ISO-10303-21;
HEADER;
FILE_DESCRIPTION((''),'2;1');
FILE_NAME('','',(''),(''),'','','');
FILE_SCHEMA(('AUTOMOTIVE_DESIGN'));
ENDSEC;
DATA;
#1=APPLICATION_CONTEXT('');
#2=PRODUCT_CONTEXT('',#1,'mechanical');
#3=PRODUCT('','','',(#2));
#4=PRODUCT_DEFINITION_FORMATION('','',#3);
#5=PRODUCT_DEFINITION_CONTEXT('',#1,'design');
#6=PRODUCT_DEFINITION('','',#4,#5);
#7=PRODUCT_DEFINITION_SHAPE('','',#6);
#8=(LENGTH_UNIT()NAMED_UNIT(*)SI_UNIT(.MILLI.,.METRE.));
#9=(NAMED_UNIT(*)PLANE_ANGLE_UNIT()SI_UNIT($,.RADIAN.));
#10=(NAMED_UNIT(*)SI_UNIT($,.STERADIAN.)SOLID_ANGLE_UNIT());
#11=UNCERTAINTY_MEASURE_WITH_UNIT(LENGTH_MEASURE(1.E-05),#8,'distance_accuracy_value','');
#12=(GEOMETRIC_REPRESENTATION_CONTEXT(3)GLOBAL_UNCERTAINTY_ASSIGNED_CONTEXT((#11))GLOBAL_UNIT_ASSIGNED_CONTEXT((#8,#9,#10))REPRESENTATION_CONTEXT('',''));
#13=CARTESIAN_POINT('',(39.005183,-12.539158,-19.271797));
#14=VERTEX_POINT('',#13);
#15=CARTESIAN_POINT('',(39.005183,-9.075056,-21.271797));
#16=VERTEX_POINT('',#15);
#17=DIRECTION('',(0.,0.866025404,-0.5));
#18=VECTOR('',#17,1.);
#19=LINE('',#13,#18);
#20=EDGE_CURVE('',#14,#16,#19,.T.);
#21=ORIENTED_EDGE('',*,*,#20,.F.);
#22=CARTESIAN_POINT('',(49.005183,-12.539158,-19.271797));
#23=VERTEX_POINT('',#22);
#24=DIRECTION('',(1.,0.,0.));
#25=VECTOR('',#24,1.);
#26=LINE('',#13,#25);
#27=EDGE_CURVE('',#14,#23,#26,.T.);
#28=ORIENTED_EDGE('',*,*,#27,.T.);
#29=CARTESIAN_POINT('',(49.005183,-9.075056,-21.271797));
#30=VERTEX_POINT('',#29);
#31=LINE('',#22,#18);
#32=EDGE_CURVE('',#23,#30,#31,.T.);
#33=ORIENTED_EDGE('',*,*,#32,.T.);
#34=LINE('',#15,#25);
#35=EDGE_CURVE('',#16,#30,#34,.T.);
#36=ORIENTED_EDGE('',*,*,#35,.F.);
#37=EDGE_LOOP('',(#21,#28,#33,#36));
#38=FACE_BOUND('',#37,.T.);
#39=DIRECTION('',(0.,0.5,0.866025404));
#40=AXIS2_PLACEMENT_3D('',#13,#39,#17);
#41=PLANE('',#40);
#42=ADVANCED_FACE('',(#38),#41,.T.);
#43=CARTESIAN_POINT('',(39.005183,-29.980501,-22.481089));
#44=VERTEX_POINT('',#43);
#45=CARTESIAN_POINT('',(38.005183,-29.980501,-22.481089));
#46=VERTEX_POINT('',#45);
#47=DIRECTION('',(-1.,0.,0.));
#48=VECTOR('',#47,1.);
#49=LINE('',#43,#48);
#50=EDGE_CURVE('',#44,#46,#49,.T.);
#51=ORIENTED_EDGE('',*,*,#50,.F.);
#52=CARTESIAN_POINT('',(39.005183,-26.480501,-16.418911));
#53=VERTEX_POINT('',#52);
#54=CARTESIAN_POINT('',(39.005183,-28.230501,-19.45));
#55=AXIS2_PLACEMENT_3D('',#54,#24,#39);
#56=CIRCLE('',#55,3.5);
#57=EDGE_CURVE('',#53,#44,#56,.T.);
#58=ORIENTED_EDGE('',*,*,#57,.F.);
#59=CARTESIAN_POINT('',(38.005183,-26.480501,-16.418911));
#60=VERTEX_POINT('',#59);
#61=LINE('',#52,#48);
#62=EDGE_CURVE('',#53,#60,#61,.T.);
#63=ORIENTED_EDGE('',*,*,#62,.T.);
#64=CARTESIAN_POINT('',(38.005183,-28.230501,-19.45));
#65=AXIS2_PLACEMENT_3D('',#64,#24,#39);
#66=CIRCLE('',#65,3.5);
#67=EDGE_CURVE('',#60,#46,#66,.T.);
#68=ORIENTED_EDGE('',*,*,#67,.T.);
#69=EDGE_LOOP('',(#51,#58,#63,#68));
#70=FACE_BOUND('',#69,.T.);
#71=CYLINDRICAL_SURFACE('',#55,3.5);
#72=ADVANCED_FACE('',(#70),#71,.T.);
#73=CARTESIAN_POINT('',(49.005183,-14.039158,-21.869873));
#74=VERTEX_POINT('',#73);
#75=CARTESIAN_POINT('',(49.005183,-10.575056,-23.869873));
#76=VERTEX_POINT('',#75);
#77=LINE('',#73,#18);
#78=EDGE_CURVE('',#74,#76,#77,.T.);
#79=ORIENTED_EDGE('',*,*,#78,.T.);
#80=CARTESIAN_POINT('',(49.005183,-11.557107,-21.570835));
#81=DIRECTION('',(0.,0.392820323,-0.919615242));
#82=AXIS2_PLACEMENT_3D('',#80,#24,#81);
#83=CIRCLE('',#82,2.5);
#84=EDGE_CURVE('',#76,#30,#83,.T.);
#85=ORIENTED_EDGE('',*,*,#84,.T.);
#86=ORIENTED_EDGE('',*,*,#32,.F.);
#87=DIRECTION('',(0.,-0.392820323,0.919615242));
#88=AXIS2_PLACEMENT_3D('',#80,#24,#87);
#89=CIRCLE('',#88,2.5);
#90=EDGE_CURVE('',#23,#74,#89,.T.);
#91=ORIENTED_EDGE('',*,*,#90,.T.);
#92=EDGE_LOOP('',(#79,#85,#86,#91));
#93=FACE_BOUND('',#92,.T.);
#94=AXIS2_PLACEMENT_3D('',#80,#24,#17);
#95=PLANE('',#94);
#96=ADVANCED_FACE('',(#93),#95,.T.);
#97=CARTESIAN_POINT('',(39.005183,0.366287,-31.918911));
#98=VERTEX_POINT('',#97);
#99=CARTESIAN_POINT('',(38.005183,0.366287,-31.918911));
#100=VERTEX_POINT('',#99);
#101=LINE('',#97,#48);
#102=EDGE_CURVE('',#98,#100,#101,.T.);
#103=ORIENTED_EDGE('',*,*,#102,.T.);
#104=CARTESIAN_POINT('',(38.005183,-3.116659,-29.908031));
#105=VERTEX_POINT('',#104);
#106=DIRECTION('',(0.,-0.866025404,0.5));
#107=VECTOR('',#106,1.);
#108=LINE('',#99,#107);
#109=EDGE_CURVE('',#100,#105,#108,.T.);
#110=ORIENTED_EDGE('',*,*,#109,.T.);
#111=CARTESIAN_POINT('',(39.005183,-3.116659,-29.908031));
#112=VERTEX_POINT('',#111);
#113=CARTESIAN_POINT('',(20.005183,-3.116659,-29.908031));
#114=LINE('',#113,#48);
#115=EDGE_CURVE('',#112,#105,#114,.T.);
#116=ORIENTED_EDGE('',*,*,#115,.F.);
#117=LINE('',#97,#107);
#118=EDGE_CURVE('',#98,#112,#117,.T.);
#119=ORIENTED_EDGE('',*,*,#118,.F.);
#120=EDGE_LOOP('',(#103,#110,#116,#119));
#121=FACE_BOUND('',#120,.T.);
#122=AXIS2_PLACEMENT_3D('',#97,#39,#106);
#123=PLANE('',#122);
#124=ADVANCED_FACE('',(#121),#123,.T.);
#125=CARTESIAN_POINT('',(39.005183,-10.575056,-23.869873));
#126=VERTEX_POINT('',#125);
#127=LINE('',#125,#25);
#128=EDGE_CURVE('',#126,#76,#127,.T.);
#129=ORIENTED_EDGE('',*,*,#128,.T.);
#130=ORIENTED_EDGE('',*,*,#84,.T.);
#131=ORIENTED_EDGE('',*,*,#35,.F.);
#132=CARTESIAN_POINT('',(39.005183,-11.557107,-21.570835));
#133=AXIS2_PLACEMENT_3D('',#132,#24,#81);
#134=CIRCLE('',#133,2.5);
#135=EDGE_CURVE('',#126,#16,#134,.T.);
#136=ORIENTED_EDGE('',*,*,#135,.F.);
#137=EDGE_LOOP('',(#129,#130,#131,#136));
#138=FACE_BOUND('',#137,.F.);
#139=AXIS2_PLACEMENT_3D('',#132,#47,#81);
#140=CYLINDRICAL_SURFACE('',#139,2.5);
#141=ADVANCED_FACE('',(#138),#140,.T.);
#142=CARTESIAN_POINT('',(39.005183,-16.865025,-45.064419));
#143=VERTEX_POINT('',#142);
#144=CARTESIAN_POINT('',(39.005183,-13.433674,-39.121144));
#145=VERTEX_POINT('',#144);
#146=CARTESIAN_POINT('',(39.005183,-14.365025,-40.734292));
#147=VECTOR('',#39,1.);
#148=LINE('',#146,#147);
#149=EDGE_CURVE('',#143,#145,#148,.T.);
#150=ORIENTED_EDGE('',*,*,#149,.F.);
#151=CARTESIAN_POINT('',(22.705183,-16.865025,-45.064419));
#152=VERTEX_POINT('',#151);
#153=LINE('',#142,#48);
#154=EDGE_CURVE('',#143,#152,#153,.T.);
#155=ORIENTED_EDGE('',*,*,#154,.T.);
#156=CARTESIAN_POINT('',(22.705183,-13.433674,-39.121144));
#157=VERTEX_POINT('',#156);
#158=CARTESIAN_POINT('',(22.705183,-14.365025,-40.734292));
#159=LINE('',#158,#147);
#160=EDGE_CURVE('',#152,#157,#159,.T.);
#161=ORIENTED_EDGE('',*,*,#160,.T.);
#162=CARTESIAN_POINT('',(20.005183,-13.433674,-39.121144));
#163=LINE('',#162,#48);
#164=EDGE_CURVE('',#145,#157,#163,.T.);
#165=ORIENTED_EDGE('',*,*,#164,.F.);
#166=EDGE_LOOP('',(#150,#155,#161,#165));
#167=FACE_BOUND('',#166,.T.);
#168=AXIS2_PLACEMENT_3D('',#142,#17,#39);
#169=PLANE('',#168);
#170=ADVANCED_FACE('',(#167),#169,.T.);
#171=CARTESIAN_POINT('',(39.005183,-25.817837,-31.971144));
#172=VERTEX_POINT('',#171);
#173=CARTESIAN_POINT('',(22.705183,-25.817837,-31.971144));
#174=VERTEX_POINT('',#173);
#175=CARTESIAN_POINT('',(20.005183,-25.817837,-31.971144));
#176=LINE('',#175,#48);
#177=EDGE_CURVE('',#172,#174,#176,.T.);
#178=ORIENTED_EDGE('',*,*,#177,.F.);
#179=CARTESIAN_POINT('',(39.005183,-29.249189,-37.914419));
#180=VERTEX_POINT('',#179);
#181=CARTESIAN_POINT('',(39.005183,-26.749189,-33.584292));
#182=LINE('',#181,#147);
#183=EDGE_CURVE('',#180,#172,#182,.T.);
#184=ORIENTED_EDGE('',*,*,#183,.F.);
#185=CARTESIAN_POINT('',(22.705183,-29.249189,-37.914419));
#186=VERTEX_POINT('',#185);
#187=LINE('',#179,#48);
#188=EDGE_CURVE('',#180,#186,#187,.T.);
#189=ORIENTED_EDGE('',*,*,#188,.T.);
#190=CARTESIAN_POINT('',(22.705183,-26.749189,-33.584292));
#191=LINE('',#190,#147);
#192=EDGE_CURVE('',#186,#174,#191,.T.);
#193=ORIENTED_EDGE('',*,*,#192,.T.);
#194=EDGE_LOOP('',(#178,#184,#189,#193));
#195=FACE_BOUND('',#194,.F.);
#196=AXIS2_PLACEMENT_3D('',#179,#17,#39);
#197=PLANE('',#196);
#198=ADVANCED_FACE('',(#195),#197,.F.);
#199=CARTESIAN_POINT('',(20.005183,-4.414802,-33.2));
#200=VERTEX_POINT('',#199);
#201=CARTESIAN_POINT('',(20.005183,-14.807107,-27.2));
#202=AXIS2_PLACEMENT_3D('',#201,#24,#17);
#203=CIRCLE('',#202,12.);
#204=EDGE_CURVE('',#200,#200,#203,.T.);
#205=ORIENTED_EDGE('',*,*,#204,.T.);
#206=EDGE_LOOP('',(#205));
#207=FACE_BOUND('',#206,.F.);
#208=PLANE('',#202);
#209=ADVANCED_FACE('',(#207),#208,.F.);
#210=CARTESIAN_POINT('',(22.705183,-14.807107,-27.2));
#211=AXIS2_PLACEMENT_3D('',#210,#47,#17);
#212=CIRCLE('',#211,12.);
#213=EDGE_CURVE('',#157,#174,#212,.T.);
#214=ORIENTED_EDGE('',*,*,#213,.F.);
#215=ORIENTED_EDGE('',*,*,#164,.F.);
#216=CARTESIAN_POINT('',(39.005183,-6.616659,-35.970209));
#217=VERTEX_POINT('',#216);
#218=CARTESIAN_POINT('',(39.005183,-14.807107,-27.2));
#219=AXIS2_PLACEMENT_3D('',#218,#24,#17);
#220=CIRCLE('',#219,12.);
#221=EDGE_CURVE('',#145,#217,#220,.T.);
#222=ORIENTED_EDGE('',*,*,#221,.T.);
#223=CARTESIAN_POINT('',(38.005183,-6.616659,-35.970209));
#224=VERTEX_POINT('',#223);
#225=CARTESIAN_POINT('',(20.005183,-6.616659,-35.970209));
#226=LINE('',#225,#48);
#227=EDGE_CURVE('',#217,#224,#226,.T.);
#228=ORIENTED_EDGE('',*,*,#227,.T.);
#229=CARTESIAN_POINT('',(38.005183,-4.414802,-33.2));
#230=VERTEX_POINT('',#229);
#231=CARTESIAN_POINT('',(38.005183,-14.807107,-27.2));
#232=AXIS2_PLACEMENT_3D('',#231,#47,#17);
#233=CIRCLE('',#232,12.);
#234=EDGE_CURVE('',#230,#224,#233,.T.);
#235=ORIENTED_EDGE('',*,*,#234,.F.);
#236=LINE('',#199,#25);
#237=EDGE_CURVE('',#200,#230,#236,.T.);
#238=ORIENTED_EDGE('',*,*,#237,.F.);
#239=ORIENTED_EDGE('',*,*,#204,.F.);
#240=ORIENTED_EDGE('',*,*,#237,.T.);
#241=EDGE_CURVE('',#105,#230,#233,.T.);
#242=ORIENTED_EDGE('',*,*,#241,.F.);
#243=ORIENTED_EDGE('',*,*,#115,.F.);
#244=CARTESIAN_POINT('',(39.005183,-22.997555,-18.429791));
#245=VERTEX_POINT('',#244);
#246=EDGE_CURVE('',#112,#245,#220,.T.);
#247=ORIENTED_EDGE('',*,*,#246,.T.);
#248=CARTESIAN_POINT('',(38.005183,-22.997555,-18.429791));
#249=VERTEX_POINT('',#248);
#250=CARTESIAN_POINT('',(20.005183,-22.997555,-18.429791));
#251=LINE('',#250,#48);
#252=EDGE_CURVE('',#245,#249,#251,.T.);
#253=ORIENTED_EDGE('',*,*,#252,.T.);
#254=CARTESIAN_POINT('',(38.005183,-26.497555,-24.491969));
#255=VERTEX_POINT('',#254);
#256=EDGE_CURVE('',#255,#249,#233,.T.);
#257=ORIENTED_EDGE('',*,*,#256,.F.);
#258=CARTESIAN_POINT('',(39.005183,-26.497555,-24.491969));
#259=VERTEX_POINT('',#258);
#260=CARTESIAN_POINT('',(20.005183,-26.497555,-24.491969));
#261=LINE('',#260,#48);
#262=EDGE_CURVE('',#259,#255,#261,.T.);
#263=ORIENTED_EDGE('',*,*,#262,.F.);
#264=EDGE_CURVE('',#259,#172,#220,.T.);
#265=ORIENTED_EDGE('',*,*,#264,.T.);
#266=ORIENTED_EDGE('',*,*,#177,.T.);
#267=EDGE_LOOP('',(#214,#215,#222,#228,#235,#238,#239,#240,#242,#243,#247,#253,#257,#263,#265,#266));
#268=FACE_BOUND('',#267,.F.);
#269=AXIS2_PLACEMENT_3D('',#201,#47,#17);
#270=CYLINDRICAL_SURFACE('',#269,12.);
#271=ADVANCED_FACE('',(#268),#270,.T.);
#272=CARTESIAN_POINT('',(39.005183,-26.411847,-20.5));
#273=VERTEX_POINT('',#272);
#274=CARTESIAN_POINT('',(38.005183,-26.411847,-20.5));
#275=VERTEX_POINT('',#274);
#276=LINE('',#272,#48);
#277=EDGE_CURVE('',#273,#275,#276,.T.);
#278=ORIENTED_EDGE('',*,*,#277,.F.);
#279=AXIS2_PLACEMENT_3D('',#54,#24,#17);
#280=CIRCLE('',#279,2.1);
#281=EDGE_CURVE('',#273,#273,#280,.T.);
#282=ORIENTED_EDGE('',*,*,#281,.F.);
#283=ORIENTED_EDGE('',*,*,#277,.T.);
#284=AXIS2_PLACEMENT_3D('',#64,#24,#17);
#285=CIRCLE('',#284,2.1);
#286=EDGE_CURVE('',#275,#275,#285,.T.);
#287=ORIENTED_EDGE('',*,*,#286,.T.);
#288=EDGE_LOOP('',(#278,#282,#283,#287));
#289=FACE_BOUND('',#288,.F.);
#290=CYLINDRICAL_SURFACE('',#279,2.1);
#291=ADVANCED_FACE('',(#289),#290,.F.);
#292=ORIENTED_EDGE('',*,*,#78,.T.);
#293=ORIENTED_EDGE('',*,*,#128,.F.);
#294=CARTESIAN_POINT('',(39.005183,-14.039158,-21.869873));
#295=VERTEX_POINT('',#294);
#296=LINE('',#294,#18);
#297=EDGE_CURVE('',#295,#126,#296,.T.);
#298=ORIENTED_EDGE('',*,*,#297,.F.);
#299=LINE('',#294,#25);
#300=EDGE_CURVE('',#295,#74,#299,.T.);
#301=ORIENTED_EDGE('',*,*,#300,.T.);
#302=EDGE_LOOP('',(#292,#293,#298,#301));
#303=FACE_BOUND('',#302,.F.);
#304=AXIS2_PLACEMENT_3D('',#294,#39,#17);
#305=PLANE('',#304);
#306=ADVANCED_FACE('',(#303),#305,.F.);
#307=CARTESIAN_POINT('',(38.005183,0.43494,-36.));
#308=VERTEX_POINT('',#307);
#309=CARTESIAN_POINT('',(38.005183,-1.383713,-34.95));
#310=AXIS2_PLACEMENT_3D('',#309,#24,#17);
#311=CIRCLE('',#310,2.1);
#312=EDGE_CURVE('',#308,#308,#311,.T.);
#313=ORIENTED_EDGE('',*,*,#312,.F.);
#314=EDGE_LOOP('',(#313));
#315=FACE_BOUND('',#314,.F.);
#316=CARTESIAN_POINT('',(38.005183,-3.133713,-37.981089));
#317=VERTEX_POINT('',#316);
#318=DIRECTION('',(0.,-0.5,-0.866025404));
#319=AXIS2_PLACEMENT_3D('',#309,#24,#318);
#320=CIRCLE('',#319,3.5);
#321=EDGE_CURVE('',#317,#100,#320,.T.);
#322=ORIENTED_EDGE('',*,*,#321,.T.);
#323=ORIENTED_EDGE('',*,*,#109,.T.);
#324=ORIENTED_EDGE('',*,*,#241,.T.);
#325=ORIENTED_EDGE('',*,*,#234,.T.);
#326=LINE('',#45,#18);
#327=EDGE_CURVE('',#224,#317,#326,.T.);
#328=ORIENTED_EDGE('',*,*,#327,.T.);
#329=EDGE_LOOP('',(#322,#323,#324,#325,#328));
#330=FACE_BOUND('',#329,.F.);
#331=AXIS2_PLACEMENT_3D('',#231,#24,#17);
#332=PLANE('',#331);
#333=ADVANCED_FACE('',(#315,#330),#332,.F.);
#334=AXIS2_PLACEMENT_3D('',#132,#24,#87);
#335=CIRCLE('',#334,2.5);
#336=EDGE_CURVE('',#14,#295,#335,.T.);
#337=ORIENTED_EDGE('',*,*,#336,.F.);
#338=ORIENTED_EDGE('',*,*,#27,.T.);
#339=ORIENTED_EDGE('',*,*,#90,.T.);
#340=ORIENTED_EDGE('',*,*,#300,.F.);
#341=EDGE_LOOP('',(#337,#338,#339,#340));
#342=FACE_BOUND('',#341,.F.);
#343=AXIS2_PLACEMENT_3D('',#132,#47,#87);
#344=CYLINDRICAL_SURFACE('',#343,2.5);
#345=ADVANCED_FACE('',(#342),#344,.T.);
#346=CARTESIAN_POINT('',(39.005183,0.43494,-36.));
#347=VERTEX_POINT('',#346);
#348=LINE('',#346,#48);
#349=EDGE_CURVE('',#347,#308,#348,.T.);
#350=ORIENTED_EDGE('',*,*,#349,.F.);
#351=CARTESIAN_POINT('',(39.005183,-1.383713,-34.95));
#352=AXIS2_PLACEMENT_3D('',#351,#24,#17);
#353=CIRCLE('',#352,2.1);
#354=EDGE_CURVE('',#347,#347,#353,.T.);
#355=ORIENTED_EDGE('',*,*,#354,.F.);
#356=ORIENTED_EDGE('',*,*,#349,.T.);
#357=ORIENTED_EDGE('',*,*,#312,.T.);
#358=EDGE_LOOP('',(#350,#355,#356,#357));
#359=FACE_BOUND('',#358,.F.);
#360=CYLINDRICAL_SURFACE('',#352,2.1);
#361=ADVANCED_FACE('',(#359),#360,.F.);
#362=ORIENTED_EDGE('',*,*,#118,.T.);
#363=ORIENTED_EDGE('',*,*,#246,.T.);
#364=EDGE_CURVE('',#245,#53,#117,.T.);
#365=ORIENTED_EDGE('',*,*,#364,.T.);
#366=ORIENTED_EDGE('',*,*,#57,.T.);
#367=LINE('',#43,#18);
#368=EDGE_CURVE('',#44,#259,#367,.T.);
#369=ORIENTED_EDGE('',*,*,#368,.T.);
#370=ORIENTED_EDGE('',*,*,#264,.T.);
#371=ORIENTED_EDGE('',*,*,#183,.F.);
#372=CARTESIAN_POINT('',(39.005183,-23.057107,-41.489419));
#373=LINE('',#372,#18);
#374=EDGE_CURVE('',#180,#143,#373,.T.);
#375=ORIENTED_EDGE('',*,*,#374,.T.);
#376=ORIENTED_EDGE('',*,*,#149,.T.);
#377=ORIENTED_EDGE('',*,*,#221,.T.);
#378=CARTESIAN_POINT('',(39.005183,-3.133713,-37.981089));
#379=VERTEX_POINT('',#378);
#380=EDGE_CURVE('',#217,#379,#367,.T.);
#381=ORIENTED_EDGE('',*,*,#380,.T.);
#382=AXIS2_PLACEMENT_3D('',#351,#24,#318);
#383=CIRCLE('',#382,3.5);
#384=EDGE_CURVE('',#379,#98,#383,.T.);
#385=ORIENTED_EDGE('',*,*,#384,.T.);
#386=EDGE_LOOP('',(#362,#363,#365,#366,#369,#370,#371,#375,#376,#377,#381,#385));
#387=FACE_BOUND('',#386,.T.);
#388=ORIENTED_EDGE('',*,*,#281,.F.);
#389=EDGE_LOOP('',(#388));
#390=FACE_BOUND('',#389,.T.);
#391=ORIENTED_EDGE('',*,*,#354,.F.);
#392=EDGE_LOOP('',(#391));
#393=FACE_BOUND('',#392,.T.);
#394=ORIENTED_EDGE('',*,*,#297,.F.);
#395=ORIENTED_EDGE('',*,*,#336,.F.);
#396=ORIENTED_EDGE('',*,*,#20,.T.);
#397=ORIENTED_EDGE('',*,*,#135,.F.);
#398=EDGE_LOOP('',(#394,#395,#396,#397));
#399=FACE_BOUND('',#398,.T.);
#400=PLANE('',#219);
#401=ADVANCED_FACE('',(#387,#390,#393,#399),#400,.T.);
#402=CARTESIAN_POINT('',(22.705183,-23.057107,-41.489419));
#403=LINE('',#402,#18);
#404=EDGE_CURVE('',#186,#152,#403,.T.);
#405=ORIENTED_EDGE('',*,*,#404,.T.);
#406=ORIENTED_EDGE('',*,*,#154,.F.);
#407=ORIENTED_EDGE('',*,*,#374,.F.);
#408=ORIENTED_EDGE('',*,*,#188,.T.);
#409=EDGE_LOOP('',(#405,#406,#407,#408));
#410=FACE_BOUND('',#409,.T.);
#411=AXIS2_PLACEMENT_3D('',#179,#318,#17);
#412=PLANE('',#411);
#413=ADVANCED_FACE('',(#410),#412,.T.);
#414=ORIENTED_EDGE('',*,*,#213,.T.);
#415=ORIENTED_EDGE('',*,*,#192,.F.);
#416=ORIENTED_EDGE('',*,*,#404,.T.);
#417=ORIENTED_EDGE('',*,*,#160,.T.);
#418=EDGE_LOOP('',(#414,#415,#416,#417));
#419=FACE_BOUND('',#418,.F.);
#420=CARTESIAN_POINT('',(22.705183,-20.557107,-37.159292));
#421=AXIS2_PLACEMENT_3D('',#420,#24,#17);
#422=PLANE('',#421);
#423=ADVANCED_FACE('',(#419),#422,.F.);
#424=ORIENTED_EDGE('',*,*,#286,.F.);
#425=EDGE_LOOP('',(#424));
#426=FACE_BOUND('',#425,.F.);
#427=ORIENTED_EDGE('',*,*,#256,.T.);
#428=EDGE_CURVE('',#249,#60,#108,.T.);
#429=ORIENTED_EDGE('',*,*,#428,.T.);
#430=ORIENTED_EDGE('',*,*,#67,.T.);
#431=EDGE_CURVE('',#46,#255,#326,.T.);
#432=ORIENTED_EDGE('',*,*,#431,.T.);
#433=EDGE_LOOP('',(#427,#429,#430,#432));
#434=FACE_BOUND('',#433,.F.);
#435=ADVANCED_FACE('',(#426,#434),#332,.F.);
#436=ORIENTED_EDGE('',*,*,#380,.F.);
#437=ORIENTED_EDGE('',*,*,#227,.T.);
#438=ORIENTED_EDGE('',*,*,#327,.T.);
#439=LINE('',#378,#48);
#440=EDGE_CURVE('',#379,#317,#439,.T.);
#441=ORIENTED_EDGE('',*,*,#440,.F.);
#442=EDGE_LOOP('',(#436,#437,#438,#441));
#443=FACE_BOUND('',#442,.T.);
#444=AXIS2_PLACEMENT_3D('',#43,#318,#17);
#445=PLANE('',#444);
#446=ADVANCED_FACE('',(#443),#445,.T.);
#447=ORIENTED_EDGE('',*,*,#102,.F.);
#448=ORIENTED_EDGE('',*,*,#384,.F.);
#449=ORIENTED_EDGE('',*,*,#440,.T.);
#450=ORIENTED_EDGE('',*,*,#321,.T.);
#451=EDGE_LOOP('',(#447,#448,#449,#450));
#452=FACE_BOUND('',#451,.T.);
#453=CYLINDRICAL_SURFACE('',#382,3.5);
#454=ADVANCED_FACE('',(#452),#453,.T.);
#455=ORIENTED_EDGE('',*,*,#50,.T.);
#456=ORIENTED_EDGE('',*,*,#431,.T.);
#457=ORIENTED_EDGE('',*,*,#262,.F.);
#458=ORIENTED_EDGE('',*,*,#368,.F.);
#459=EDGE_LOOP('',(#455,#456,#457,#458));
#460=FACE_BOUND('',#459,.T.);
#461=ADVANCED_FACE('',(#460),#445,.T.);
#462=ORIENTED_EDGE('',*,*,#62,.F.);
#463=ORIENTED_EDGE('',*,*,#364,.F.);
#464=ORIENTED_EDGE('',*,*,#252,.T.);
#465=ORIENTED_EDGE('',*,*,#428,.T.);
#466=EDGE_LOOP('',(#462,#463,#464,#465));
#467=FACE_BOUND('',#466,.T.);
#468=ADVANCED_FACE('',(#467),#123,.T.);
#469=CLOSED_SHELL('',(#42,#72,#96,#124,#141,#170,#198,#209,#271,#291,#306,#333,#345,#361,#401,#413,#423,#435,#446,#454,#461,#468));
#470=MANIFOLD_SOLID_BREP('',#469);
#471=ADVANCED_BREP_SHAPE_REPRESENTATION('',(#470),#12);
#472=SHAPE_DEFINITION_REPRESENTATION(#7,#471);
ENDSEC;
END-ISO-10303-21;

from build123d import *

# Parameters (mm, degrees)
SKETCH034_R             = 12
PAD014_DEPTH            = 19
SKETCH035_W             = 14.3
SKETCH035_H             = 10
PAD015_DEPTH            = 16.3
SKETCH036_R             = 2.1
PAD016_DEPTH            = 1
PAD017_DEPTH            = 10
BODY007_ROLL_ANGLE      = 90
BODY007_PITCH_ANGLE     = 30
BODY007_PLACEMENT_ANGLE = 90


with BuildPart() as part:
    # Sketch034 → Pad014 (new body)
    with BuildSketch(Plane.XY):
        Circle(SKETCH034_R)
    extrude(amount=PAD014_DEPTH)

    # Sketch035 (on Face3 of Pad014) → Pad015 (join)
    with BuildSketch(Plane.XY.offset(19)):
        with Locations((0, -11.5)):
            Rectangle(SKETCH035_W, SKETCH035_H)
    extrude(amount=-PAD015_DEPTH)

    # Sketch036 (on Face3 of Pad015) → Pad016 (join)
    with BuildSketch(Plane.XY.offset(19)):
        with BuildLine():
            ThreePointArc((15.5, -3.5), (19, 0), (15.5, 3.5))
            Line((15.5, 3.5), (-15.5, 3.5))
            ThreePointArc((-15.5, 3.5), (-19, 0), (-15.5, -3.5))
            Line((-15.5, -3.5), (15.5, -3.5))
        make_face()
        with Locations((15.5, 0)):
            Circle(SKETCH036_R, mode=Mode.SUBTRACT)
        with Locations((-15.5, 0)):
            Circle(SKETCH036_R, mode=Mode.SUBTRACT)
    extrude(amount=-PAD016_DEPTH)

    # Sketch037 (on Face11 of Pad016) → Pad017 (join)
    with BuildSketch(Plane.XY.offset(19)):
        with BuildLine():
            ThreePointArc((-2, 8), (-2.5, 6.5), (-2, 5))
            Line((-2, 5), (2, 5))
            ThreePointArc((2, 5), (2.5, 6.5), (2, 8))
            Line((-2, 8), (2, 8))
        make_face()
    extrude(amount=PAD017_DEPTH)


with BuildPart() as part_1:
    # Body007 roll: moved
    add(part.part.rotate(Axis((0, 0, 0), (1, 0, 0)), BODY007_ROLL_ANGLE))


with BuildPart() as part_2:
    # Body007 pitch: moved
    add(part_1.part.rotate(Axis((0, 0, 0), (0, 1, 0)), BODY007_PITCH_ANGLE))


with BuildPart() as part_3:
    # Body007 placement: moved
    add(part_2.part.moved(Location((20.005183, -14.807107, -27.2))).rotate(Axis((20.005183, -14.807107, -27.2), (0, 0, 1)), BODY007_PLACEMENT_ANGLE))


solid = part_3.part
